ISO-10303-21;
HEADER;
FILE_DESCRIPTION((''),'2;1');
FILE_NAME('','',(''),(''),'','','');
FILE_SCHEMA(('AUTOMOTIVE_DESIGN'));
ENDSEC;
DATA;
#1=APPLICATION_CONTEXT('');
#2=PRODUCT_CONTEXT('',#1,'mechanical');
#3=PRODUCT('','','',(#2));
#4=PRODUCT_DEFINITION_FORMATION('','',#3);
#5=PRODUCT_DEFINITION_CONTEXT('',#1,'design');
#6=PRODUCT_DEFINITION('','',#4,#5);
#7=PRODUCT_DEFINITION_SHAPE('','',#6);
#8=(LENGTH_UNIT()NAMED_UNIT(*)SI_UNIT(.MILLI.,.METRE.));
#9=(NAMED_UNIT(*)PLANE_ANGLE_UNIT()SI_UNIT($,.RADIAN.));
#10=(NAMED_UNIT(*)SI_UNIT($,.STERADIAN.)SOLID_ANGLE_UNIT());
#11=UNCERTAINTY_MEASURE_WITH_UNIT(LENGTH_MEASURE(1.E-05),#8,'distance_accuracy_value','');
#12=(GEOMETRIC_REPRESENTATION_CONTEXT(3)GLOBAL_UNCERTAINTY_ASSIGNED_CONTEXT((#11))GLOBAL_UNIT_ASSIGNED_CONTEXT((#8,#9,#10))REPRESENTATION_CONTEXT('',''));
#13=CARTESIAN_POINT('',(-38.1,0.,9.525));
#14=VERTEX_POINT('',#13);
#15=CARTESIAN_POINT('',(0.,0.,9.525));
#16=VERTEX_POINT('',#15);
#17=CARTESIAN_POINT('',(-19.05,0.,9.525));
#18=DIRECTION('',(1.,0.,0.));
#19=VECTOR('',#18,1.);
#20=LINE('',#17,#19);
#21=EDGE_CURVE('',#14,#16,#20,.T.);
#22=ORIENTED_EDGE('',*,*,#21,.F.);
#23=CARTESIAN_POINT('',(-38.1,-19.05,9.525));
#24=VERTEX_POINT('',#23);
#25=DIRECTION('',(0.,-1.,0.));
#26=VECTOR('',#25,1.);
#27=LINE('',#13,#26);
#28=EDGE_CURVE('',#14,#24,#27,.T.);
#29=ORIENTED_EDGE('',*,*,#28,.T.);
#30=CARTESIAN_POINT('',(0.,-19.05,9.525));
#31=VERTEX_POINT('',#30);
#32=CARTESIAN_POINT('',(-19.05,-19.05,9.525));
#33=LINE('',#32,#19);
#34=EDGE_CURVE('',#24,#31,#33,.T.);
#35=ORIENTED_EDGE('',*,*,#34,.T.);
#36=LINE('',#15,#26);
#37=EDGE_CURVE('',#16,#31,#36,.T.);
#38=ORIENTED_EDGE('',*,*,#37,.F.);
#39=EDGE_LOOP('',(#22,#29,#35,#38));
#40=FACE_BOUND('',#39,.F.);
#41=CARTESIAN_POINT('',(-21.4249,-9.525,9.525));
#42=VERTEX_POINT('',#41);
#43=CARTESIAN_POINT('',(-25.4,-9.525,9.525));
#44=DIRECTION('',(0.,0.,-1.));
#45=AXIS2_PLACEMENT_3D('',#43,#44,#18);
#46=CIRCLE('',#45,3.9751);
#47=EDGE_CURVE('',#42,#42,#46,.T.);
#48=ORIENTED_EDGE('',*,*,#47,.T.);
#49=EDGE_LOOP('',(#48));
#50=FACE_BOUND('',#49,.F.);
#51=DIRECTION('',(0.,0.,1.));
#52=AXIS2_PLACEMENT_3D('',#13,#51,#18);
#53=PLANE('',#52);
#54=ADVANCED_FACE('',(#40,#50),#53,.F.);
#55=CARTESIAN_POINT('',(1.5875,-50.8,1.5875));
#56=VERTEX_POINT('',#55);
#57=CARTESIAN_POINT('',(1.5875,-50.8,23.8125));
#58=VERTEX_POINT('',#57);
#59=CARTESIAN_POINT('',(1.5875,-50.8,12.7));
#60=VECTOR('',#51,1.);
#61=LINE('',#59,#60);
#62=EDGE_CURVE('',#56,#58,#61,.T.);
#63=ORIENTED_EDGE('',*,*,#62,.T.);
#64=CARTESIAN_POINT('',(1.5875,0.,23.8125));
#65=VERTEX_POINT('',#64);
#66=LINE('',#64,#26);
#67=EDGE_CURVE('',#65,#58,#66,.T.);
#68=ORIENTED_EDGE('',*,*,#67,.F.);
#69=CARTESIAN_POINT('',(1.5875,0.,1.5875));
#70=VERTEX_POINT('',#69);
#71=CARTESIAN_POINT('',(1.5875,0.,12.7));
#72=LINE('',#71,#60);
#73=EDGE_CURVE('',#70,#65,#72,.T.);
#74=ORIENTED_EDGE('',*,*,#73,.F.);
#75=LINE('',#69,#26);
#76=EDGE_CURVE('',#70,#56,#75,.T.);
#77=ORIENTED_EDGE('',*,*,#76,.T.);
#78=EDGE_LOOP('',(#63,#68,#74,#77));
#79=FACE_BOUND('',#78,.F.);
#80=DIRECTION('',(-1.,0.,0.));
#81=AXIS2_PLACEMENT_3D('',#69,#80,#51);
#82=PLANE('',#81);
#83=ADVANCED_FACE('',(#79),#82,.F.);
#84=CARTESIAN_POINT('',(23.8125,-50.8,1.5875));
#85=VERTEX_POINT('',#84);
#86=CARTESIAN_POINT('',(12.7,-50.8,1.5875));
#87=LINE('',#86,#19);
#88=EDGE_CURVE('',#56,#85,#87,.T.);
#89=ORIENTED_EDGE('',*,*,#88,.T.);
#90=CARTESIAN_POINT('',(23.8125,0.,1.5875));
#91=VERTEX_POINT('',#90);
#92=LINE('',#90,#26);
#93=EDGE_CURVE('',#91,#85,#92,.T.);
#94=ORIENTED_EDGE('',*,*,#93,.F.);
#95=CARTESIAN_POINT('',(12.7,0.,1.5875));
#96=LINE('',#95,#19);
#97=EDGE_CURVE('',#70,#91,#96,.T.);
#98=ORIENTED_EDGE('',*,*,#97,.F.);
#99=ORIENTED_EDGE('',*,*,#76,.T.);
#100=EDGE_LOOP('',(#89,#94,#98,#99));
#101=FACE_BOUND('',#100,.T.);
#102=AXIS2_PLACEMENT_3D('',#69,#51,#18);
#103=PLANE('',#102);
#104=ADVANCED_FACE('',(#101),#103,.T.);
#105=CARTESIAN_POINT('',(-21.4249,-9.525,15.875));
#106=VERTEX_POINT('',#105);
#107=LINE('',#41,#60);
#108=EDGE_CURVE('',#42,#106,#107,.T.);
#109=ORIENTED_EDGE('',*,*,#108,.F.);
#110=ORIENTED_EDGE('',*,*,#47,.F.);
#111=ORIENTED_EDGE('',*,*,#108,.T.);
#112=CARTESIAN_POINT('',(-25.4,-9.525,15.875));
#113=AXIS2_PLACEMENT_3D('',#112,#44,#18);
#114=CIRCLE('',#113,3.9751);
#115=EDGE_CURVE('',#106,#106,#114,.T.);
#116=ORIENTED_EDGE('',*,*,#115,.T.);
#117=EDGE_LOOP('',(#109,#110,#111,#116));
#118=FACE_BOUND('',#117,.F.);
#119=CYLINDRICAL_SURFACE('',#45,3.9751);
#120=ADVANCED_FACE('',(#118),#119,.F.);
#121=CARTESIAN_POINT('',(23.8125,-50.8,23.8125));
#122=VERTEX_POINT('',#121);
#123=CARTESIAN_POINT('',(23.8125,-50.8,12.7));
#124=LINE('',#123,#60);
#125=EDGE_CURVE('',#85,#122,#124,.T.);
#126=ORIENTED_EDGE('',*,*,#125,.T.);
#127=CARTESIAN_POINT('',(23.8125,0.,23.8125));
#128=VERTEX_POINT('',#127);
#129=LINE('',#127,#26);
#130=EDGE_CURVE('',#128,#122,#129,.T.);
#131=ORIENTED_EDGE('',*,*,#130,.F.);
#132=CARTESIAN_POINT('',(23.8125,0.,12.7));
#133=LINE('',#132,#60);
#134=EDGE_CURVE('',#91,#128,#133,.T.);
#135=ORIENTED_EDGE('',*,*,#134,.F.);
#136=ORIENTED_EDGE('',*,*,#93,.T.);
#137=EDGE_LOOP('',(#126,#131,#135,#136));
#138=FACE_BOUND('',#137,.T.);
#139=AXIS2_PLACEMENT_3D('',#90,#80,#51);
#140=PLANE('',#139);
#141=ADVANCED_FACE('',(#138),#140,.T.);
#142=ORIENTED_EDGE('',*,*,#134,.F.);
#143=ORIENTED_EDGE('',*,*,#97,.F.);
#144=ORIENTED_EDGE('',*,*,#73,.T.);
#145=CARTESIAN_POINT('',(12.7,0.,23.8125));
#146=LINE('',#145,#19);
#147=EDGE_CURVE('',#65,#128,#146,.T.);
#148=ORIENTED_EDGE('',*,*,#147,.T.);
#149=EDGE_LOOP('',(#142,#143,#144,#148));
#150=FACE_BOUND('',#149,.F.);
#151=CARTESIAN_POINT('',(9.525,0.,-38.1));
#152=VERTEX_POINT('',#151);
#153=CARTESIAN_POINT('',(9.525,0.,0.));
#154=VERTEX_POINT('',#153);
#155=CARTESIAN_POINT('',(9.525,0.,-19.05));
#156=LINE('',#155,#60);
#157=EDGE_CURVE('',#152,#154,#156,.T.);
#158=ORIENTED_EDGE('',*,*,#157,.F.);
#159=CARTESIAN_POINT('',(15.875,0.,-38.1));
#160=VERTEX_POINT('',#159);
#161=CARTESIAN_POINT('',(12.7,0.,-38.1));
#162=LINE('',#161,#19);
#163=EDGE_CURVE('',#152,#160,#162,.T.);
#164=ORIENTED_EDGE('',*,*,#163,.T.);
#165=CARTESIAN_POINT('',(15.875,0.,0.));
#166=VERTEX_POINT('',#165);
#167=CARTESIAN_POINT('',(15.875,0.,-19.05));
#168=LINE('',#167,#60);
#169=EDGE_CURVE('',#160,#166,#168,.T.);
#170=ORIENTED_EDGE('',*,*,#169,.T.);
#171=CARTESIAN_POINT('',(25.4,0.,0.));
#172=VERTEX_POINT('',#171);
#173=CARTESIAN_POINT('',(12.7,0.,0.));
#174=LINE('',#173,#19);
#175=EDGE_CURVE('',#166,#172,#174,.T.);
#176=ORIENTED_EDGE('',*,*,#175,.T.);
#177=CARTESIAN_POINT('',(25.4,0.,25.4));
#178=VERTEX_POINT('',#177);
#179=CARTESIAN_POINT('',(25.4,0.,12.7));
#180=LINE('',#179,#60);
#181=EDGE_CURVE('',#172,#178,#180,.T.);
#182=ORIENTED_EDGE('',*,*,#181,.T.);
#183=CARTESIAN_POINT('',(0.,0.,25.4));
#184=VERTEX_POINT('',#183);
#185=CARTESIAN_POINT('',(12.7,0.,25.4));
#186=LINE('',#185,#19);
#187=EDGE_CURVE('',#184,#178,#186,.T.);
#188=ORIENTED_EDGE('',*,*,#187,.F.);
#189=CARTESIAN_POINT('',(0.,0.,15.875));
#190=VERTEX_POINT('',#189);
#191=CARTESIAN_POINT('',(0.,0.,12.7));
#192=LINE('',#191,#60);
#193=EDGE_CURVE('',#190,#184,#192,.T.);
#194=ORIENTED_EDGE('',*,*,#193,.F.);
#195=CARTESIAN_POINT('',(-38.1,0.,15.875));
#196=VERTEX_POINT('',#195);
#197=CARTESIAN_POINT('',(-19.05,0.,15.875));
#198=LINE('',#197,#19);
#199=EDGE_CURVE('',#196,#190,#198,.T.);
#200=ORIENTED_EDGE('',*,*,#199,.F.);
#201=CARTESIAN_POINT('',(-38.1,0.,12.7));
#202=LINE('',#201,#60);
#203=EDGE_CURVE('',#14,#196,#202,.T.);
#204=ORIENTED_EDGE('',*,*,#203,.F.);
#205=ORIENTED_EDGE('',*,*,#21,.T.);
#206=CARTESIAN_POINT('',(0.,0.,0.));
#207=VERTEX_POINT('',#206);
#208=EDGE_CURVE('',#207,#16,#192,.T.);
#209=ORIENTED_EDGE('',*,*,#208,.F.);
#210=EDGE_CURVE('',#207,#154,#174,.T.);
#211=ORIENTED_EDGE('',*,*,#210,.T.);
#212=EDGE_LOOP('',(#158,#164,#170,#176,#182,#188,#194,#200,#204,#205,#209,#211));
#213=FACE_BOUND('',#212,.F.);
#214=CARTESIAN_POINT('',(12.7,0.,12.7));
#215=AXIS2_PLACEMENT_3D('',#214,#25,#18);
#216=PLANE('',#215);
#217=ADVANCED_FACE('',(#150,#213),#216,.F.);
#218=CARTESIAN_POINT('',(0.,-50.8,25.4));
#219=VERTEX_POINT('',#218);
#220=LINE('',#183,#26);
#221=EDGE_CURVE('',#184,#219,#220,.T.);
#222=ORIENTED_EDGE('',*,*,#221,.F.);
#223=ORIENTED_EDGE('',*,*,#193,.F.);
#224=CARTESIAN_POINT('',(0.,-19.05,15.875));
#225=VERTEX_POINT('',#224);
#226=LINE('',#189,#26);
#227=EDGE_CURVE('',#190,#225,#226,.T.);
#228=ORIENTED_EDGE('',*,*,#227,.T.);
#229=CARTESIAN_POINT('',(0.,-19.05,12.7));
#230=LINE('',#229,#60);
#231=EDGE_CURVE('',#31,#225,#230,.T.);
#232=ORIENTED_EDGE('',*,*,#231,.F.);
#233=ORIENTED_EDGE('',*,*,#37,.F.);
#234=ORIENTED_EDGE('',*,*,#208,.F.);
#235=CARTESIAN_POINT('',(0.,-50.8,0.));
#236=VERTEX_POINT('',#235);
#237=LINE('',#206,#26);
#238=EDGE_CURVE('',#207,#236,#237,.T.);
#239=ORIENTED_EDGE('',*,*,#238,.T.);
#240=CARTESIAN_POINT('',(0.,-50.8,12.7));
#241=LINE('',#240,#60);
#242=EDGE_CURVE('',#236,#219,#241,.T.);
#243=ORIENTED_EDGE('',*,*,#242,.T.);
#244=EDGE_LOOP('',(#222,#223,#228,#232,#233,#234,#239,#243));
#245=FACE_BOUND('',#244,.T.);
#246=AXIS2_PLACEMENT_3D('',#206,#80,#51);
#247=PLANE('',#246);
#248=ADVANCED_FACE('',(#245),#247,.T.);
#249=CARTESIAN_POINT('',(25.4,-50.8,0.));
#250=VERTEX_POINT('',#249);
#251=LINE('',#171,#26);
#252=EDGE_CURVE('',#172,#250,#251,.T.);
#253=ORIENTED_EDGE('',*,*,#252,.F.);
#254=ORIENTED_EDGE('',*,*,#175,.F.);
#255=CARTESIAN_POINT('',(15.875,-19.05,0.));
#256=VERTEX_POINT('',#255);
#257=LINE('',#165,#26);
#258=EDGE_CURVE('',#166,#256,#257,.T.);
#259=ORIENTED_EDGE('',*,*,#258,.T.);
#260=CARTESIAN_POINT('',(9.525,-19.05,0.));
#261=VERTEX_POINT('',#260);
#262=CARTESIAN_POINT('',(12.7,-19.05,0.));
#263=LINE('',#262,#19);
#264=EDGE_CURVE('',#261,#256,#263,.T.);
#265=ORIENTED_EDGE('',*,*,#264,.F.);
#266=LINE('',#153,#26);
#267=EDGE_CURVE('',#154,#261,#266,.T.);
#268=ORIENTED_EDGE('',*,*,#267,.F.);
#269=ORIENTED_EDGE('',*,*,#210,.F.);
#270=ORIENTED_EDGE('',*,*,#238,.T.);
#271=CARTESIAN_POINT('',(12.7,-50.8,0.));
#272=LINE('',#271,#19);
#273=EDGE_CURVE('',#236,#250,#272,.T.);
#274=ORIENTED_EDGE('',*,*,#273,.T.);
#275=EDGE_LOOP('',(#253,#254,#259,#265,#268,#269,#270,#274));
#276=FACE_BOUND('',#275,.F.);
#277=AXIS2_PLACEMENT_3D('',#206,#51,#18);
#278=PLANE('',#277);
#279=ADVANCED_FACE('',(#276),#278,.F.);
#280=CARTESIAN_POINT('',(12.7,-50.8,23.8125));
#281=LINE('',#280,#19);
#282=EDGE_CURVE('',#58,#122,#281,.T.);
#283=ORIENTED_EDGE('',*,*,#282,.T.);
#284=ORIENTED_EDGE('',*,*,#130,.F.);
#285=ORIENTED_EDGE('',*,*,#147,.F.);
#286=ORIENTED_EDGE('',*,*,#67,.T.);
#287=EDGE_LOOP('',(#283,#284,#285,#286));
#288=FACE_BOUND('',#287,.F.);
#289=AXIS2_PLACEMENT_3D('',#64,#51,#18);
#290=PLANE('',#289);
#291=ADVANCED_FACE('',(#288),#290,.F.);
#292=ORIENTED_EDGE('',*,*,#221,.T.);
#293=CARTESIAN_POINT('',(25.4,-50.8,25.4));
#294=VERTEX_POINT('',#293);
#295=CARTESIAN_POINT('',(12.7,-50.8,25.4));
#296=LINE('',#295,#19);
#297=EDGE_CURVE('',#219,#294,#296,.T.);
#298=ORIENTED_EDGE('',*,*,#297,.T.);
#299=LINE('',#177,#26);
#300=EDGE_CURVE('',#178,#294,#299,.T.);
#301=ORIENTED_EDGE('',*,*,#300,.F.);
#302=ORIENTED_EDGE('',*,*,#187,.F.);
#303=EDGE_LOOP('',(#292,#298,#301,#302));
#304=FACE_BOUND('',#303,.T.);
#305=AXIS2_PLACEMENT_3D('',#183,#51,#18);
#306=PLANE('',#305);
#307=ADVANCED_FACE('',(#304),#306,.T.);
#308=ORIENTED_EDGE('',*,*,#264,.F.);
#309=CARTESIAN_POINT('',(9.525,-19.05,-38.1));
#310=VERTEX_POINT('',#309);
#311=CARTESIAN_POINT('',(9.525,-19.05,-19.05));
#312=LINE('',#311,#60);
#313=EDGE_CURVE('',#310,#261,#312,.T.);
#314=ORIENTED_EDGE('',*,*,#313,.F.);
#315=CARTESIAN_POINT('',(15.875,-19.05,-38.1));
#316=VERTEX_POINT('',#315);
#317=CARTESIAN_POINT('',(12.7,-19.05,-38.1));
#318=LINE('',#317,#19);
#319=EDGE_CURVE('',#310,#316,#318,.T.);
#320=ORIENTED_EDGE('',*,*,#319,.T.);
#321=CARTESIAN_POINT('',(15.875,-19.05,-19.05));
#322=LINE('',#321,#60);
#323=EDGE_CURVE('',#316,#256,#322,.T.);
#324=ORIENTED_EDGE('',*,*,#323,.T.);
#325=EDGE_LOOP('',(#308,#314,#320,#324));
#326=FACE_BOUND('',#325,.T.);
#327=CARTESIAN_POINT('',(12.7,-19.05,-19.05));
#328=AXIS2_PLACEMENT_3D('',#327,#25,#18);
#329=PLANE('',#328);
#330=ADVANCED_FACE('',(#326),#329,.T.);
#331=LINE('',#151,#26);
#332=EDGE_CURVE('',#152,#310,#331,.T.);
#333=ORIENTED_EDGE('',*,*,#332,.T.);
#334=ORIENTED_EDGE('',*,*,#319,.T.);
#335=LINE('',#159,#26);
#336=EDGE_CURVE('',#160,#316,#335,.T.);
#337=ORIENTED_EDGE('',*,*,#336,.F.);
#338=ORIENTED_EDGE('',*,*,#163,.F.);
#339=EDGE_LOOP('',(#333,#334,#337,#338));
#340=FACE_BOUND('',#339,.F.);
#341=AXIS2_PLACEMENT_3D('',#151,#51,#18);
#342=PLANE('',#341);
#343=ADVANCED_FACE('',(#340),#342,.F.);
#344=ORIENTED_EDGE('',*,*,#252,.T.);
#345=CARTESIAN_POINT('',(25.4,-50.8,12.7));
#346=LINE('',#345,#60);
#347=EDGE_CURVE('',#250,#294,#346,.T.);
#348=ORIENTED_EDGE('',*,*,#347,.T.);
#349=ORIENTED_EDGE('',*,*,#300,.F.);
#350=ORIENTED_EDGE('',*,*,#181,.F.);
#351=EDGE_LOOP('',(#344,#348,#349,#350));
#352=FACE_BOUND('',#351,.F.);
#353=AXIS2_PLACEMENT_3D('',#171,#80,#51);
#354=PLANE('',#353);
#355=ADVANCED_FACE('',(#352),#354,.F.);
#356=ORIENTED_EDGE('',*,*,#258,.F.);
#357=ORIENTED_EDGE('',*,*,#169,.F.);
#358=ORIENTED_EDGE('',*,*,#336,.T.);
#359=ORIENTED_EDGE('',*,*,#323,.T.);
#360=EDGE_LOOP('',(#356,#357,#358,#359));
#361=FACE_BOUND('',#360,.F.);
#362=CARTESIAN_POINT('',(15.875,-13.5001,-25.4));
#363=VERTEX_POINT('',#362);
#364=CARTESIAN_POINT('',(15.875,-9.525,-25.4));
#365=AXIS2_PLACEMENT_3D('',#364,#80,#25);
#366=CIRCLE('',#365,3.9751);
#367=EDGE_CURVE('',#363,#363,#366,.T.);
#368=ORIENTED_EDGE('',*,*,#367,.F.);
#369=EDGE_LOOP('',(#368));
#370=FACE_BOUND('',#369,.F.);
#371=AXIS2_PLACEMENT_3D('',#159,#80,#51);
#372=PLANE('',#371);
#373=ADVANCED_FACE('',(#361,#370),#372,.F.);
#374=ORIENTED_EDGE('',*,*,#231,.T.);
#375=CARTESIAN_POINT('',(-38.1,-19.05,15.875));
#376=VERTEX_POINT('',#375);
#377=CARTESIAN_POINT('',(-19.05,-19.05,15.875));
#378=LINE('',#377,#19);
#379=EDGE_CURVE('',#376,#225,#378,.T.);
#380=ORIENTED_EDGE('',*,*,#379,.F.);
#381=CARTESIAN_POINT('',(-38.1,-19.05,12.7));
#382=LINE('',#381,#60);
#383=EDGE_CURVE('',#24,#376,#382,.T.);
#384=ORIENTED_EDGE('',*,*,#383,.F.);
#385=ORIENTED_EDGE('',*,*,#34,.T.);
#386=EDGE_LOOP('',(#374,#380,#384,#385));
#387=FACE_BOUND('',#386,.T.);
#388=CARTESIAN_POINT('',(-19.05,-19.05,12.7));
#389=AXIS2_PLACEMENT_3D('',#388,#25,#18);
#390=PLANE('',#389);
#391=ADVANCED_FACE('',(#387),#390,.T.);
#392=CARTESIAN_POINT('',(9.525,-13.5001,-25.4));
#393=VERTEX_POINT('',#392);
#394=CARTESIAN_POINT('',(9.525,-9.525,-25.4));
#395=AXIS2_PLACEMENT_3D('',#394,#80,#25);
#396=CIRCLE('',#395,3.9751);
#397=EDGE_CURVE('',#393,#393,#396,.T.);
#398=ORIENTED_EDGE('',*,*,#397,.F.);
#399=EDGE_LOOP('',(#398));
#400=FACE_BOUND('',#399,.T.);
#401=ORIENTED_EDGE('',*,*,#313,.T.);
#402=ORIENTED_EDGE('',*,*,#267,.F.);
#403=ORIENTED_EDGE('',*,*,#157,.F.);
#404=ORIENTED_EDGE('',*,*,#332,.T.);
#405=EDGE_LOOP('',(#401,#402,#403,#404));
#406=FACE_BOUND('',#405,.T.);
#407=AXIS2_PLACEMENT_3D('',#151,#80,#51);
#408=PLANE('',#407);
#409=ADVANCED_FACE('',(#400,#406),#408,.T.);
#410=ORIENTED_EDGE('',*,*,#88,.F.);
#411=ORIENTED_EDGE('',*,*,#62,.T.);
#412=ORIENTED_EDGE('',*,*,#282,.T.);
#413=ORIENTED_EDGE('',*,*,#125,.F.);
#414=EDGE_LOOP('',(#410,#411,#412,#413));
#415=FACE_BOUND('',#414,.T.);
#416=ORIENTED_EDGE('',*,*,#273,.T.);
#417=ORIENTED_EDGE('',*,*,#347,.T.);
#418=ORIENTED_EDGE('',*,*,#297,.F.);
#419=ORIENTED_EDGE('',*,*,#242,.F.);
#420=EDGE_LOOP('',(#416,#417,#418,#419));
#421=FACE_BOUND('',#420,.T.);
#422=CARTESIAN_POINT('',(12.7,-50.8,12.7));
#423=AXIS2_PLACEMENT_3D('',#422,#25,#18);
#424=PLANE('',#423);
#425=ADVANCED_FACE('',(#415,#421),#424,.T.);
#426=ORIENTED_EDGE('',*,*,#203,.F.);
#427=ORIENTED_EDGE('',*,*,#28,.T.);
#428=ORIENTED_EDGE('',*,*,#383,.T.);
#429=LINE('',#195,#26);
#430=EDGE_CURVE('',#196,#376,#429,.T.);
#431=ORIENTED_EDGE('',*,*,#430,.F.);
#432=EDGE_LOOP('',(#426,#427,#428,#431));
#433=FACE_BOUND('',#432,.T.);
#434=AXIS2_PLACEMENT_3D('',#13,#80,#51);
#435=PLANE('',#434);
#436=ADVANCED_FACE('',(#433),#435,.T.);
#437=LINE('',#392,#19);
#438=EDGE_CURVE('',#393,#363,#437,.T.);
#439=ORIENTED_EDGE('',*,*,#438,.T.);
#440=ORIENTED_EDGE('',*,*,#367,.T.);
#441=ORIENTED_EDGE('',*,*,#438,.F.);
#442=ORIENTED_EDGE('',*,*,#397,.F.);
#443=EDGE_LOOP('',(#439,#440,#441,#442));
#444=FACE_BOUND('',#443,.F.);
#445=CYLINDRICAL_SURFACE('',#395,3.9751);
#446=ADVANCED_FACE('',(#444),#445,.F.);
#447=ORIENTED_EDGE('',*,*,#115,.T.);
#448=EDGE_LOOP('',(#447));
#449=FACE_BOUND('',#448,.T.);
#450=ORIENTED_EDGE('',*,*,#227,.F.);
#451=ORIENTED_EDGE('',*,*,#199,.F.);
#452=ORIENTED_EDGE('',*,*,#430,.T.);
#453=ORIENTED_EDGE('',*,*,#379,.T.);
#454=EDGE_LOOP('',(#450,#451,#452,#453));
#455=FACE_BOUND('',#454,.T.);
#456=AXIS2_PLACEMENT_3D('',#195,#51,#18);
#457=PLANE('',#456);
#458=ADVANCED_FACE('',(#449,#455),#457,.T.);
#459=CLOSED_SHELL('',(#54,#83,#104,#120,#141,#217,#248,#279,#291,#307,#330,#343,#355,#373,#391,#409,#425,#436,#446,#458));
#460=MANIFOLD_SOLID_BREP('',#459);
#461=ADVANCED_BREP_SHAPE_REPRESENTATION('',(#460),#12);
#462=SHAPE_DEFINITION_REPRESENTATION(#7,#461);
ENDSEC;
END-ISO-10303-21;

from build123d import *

# Parameters (mm, degrees)
F0_W     = 25.4
F0_H     = 25.4
F0_W_2   = 22.225
F0_H_2   = 22.225
F1_DEPTH = 50.8
F2_W     = 6.35
F2_H     = 38.1
F2_W_2   = 38.1
F2_H_2   = 6.35
F3_DEPTH = 19.05
F4_R     = 3.9751
F5_DEPTH = 25.4
F6_R     = 3.9751
F7_DEPTH = 25.4


with BuildPart() as f1:
    # F0 (on Front) → F1 (new body)
    with BuildSketch(Plane.XZ):
        with Locations((12.7, 12.7)):
            Rectangle(F0_W, F0_H)
        with Locations((12.7, 12.7)):
            Rectangle(F0_W_2, F0_H_2, mode=Mode.SUBTRACT)
    extrude(amount=F1_DEPTH)

    # F2 (on Front) → F3 (join)
    with BuildSketch(Plane.XZ):
        with Locations((12.7, -19.05)):
            Rectangle(F2_W, F2_H)
        with Locations((-19.05, 12.7)):
            Rectangle(F2_W_2, F2_H_2)
    extrude(amount=F3_DEPTH)

    # F4 (on face) → F5 (cut)
    with BuildSketch(Plane(origin=(9.525, 0, 0), x_dir=(0, -1, 0), z_dir=(-1, 0, 0))):
        with Locations((9.525, -25.4)):
            Circle(F4_R)
    extrude(amount=-F5_DEPTH, mode=Mode.SUBTRACT)

    # F6 (on face) → F7 (cut)
    with BuildSketch(Plane(origin=(0, 0, 9.525), x_dir=(1, 0, 0), z_dir=(0, 0, -1))):
        with Locations((-25.4, 9.525)):
            Circle(F6_R)
    extrude(amount=-F7_DEPTH, mode=Mode.SUBTRACT)


solid = f1.part
